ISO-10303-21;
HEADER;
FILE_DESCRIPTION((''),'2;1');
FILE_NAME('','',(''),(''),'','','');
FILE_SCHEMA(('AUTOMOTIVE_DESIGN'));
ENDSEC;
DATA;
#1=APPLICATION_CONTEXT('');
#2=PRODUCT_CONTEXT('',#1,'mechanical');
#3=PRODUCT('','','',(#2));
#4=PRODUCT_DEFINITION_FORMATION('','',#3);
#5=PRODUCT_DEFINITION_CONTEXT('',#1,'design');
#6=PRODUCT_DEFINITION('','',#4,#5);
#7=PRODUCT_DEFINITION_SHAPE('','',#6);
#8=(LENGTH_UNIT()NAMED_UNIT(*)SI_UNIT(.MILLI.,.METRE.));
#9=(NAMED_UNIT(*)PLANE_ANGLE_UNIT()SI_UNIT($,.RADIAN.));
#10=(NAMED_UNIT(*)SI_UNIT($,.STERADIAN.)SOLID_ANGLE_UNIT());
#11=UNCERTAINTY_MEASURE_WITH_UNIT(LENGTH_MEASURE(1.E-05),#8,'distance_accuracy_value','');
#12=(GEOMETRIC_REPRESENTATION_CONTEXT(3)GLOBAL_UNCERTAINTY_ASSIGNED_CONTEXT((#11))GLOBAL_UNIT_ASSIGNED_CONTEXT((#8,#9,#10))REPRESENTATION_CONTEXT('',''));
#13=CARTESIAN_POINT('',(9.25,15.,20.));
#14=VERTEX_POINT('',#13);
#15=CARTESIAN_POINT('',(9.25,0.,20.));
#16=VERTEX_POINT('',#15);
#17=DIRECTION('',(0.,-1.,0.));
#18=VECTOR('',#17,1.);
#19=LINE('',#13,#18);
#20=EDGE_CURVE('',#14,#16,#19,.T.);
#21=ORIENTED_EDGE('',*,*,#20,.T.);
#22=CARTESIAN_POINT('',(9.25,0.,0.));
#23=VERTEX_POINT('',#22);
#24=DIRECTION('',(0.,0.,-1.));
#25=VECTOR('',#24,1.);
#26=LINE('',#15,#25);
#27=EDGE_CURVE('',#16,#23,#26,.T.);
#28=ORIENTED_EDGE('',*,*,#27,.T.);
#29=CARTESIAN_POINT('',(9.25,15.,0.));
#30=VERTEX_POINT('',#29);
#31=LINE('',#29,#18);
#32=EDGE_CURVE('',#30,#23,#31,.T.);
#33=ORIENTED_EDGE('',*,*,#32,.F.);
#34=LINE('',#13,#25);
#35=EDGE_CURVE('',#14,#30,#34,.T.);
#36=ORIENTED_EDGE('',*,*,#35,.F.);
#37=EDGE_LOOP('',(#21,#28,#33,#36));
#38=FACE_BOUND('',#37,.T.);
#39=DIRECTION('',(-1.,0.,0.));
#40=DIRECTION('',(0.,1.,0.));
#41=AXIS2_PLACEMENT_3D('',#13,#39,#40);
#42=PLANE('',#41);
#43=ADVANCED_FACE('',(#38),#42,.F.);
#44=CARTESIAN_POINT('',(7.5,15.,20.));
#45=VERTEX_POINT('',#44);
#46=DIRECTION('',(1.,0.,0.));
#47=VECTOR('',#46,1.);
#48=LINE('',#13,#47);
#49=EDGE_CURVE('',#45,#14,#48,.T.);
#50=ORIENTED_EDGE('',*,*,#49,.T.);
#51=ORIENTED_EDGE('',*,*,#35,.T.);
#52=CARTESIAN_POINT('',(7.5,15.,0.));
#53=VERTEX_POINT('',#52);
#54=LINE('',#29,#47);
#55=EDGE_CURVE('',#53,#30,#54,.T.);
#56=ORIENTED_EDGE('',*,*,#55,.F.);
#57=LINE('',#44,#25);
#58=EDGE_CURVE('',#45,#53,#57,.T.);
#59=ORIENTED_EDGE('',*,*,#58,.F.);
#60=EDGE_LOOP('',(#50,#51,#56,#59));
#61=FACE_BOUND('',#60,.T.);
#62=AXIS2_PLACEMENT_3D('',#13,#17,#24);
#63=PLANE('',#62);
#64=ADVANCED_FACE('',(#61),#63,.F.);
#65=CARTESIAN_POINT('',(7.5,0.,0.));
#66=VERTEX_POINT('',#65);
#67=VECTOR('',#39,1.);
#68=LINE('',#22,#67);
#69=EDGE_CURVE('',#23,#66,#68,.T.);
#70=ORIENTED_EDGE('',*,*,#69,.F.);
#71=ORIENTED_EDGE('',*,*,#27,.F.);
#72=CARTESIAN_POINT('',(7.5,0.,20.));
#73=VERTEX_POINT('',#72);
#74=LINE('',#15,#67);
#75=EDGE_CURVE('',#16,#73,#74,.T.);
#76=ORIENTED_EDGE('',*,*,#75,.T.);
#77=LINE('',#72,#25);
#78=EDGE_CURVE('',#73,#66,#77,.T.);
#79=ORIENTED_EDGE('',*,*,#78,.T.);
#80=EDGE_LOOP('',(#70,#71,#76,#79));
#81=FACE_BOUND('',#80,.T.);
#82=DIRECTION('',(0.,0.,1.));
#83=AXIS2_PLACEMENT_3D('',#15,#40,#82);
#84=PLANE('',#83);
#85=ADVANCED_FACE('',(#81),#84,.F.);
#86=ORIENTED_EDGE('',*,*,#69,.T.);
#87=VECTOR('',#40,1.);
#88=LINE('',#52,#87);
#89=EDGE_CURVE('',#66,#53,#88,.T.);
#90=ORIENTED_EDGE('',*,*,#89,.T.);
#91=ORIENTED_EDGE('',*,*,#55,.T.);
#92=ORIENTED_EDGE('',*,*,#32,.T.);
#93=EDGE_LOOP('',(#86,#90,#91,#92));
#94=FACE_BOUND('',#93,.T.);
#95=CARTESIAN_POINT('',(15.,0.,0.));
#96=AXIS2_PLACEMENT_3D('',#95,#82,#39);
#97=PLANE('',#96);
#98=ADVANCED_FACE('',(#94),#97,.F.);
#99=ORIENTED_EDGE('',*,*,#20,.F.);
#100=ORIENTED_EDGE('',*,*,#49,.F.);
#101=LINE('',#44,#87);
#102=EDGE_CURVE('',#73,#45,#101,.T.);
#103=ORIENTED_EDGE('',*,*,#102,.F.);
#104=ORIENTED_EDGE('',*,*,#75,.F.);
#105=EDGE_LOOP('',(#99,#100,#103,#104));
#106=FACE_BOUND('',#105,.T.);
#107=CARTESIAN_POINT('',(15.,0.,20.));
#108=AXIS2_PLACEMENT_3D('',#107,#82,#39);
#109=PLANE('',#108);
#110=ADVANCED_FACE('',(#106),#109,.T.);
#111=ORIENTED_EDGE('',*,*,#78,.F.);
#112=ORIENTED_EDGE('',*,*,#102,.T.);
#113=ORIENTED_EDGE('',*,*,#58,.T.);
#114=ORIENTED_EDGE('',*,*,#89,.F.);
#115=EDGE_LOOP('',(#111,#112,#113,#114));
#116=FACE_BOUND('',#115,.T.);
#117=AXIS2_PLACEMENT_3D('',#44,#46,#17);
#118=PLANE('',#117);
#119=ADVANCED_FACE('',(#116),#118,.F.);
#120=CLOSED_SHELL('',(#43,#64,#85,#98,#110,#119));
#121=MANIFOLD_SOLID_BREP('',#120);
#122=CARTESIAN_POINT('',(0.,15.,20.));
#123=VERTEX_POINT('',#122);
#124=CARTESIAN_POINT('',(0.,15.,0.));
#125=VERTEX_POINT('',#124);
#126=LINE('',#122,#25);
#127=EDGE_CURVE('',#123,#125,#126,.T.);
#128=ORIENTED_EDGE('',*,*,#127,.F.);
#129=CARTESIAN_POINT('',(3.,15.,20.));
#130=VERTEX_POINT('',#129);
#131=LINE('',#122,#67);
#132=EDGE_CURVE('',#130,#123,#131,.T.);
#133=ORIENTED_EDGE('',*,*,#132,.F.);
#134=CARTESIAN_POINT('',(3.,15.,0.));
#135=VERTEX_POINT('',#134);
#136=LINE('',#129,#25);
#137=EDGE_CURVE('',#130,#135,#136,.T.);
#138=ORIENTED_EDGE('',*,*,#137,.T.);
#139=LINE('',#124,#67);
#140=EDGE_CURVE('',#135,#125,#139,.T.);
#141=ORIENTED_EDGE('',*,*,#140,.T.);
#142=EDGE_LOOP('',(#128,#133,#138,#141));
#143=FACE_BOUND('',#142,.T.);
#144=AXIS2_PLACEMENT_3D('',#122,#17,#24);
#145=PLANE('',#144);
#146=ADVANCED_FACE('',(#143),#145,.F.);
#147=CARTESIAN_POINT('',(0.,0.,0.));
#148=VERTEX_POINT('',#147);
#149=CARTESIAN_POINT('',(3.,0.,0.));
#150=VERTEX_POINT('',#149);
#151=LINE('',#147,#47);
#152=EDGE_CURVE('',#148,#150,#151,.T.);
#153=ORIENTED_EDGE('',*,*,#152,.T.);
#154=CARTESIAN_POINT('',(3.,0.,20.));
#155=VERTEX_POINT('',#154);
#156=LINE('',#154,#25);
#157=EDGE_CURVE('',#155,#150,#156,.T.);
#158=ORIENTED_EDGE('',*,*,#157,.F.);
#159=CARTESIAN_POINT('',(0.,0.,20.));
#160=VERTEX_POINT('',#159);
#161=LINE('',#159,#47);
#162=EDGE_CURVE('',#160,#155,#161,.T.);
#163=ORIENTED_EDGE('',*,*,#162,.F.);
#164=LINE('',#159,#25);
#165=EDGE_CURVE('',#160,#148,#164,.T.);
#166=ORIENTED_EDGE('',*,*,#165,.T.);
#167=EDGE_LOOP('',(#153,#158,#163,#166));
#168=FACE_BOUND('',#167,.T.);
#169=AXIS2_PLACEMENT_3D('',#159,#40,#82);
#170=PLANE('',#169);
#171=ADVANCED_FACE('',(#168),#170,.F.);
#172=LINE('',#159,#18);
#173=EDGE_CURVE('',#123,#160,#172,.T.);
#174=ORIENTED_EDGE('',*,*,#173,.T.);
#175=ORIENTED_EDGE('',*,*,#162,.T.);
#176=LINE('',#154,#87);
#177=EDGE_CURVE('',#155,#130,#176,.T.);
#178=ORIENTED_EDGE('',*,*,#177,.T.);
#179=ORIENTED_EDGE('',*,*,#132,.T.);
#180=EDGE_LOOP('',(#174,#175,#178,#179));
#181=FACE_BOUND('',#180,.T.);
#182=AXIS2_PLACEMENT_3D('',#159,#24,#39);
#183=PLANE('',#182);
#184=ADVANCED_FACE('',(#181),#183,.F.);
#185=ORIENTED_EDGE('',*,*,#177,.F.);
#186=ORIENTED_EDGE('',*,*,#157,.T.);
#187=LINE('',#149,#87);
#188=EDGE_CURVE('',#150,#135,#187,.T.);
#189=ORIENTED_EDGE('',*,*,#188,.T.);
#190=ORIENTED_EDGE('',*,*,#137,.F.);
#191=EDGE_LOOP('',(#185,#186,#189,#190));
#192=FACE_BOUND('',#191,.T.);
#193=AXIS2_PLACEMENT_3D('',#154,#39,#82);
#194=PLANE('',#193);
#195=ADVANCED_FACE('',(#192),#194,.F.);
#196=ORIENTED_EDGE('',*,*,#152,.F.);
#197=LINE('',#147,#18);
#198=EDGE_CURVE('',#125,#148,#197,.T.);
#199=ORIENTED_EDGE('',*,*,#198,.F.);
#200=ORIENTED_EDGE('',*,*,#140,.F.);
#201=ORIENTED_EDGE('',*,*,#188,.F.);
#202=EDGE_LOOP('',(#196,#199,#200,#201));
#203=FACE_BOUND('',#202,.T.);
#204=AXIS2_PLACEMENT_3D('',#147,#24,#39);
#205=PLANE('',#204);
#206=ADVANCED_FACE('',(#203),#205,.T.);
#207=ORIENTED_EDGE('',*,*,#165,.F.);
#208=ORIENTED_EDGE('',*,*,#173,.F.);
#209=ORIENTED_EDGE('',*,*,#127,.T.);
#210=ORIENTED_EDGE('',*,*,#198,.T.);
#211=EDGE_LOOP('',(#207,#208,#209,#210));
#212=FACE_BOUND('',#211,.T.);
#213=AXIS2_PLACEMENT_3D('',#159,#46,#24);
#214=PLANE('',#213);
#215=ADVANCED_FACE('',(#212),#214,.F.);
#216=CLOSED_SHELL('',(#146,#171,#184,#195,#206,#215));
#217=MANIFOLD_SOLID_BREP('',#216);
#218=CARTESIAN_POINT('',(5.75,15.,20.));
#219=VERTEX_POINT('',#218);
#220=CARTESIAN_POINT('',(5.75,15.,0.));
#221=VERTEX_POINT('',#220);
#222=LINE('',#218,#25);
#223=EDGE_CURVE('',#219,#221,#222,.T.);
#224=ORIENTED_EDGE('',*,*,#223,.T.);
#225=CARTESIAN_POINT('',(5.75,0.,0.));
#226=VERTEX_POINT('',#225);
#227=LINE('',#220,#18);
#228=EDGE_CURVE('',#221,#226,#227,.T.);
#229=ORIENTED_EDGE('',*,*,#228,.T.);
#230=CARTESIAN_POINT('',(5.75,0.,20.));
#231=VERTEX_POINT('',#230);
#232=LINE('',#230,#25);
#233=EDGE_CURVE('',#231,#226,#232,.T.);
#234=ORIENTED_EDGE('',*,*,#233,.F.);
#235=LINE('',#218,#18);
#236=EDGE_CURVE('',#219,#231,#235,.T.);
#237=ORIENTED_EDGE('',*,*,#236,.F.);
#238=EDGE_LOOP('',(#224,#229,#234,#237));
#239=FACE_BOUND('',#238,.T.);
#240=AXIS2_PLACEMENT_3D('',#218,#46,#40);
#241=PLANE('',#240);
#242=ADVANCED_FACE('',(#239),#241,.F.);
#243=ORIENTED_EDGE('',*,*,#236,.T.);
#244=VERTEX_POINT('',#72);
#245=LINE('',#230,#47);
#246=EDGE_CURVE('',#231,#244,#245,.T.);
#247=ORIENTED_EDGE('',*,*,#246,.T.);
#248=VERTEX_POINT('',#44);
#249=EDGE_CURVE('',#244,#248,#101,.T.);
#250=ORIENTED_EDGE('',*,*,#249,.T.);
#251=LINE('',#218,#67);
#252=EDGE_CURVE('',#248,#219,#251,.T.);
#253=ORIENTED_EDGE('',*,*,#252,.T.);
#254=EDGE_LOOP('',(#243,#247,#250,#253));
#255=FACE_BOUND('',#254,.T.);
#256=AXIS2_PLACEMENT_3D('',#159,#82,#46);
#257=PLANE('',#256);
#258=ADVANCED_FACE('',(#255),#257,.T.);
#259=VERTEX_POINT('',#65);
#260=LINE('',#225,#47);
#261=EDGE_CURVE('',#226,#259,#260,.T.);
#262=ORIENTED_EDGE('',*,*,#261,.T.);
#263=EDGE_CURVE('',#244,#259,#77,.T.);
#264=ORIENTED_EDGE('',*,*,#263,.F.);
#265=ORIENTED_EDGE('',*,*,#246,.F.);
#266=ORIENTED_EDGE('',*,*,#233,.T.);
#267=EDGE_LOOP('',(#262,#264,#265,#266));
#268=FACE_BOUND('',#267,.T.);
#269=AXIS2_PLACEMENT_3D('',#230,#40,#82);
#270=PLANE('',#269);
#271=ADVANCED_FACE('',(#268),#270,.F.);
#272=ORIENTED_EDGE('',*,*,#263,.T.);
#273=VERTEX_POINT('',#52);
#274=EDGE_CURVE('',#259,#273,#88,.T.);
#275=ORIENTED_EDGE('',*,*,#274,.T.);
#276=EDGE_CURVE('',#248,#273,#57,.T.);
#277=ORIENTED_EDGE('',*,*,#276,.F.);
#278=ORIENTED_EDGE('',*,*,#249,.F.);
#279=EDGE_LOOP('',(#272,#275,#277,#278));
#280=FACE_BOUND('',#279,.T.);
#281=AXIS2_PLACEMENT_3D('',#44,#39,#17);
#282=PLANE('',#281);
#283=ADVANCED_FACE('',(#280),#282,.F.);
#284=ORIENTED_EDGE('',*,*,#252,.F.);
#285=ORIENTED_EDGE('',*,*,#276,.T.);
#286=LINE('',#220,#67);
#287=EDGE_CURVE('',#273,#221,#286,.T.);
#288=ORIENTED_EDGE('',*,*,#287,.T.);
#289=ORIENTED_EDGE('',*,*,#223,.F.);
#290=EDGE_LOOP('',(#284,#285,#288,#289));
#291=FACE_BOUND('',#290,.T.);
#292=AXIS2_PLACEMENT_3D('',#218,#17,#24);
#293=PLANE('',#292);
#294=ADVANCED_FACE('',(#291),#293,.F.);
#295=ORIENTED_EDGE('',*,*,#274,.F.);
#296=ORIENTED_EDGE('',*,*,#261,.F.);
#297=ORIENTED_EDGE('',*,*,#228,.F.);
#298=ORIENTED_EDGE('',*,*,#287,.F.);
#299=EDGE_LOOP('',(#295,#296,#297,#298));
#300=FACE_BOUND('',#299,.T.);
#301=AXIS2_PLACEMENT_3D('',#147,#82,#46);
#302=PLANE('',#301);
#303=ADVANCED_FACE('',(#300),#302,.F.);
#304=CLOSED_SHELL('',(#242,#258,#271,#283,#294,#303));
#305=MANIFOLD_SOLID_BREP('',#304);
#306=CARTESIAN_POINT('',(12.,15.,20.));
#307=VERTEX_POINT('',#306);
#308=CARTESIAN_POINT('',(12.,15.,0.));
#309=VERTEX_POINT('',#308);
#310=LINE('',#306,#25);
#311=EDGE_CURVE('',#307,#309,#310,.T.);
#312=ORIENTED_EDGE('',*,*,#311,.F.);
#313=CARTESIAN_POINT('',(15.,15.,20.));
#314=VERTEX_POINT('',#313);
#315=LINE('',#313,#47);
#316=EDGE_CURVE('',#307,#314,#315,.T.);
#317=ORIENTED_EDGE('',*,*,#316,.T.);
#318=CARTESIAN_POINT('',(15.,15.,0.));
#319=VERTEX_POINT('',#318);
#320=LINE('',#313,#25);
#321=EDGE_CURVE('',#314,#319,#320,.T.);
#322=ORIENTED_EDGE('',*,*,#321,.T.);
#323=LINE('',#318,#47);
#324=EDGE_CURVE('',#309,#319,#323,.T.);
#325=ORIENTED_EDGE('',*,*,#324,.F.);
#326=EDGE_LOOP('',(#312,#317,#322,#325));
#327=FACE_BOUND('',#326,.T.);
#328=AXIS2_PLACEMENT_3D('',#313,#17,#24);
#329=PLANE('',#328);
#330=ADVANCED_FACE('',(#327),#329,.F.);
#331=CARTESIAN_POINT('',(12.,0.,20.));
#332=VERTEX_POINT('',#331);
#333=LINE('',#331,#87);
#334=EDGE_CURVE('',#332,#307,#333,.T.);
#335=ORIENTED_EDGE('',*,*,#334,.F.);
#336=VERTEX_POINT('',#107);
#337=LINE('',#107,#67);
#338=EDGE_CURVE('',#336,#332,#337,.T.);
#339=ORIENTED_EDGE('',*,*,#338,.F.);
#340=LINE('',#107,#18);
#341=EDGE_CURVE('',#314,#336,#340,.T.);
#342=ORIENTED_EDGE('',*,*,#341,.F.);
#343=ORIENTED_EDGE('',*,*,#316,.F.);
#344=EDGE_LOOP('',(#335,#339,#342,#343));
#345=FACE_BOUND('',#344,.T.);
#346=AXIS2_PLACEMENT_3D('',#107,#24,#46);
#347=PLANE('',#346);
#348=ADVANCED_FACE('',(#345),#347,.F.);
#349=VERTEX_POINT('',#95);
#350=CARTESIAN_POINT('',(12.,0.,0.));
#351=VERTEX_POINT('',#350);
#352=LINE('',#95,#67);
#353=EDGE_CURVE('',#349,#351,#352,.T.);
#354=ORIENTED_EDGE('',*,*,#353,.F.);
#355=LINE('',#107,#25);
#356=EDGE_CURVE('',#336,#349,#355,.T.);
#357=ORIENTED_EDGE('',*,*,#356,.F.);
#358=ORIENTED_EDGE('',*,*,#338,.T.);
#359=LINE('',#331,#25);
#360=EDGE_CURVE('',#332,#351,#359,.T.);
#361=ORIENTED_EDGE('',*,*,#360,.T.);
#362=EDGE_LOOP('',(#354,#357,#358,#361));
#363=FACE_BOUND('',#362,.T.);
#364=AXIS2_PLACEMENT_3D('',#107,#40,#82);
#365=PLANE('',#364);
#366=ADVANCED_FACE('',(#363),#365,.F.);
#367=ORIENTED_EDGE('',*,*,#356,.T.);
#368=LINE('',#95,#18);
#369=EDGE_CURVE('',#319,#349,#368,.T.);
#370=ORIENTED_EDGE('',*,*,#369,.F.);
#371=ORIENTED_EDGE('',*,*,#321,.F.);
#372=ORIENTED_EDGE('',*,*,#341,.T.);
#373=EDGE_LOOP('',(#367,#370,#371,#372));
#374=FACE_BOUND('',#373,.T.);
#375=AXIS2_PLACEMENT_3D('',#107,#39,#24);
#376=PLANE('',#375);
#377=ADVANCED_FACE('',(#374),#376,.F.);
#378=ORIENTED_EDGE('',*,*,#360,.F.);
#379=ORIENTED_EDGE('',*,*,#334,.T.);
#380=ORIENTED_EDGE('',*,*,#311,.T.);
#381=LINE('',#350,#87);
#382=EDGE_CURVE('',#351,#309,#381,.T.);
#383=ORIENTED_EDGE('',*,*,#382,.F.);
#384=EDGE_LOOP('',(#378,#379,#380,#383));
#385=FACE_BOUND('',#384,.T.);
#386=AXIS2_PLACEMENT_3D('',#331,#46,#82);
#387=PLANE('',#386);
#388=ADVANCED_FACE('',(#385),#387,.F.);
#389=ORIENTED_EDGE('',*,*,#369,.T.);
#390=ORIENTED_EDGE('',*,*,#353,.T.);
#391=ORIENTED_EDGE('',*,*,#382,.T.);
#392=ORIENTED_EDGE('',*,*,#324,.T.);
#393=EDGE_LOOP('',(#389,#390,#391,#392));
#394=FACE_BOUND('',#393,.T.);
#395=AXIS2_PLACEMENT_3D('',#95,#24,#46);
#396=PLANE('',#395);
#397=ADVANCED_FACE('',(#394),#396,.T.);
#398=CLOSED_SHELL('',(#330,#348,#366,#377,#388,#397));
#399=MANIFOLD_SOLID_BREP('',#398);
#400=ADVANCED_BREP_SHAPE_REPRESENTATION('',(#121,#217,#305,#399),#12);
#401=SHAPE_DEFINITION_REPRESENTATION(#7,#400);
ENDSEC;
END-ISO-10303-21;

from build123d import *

# Parameters (mm, degrees)
SKETCH1_W             = 3
SKETCH1_H             = 15
BOSS_EXTRUDE1_DEPTH   = 20
SKETCH1_W_2           = 1.75
BOSS_EXTRUDE1_2_DEPTH = 20


with BuildPart() as part:
    # Sketch1 → Boss-Extrude1 (new body)
    with BuildSketch(Plane.XY):
        with Locations((1.5, 7.5)):
            Rectangle(SKETCH1_W, SKETCH1_H)
    extrude(amount=BOSS_EXTRUDE1_DEPTH)


with BuildPart() as body_2:
    # Sketch1 → Boss-Extrude1 2 (new body)
    with BuildSketch(Plane.XY):
        with Locations((6.625, 7.5)):
            Rectangle(SKETCH1_W_2, SKETCH1_H)
    extrude(amount=BOSS_EXTRUDE1_2_DEPTH)


with BuildPart() as body_3:
    # Mirror1: mirrored copy
    add(body_2.part.mirror(Plane(origin=(7.5, 15, 20), x_dir=(0, 0, 1), z_dir=(-1, 0, 0))))


with BuildPart() as body_4:
    # Mirror1 2: mirrored copy
    add(part.part.mirror(Plane(origin=(7.5, 15, 20), x_dir=(0, 0, 1), z_dir=(-1, 0, 0))))


solid = Compound([part.part, body_2.part, body_3.part, body_4.part])
